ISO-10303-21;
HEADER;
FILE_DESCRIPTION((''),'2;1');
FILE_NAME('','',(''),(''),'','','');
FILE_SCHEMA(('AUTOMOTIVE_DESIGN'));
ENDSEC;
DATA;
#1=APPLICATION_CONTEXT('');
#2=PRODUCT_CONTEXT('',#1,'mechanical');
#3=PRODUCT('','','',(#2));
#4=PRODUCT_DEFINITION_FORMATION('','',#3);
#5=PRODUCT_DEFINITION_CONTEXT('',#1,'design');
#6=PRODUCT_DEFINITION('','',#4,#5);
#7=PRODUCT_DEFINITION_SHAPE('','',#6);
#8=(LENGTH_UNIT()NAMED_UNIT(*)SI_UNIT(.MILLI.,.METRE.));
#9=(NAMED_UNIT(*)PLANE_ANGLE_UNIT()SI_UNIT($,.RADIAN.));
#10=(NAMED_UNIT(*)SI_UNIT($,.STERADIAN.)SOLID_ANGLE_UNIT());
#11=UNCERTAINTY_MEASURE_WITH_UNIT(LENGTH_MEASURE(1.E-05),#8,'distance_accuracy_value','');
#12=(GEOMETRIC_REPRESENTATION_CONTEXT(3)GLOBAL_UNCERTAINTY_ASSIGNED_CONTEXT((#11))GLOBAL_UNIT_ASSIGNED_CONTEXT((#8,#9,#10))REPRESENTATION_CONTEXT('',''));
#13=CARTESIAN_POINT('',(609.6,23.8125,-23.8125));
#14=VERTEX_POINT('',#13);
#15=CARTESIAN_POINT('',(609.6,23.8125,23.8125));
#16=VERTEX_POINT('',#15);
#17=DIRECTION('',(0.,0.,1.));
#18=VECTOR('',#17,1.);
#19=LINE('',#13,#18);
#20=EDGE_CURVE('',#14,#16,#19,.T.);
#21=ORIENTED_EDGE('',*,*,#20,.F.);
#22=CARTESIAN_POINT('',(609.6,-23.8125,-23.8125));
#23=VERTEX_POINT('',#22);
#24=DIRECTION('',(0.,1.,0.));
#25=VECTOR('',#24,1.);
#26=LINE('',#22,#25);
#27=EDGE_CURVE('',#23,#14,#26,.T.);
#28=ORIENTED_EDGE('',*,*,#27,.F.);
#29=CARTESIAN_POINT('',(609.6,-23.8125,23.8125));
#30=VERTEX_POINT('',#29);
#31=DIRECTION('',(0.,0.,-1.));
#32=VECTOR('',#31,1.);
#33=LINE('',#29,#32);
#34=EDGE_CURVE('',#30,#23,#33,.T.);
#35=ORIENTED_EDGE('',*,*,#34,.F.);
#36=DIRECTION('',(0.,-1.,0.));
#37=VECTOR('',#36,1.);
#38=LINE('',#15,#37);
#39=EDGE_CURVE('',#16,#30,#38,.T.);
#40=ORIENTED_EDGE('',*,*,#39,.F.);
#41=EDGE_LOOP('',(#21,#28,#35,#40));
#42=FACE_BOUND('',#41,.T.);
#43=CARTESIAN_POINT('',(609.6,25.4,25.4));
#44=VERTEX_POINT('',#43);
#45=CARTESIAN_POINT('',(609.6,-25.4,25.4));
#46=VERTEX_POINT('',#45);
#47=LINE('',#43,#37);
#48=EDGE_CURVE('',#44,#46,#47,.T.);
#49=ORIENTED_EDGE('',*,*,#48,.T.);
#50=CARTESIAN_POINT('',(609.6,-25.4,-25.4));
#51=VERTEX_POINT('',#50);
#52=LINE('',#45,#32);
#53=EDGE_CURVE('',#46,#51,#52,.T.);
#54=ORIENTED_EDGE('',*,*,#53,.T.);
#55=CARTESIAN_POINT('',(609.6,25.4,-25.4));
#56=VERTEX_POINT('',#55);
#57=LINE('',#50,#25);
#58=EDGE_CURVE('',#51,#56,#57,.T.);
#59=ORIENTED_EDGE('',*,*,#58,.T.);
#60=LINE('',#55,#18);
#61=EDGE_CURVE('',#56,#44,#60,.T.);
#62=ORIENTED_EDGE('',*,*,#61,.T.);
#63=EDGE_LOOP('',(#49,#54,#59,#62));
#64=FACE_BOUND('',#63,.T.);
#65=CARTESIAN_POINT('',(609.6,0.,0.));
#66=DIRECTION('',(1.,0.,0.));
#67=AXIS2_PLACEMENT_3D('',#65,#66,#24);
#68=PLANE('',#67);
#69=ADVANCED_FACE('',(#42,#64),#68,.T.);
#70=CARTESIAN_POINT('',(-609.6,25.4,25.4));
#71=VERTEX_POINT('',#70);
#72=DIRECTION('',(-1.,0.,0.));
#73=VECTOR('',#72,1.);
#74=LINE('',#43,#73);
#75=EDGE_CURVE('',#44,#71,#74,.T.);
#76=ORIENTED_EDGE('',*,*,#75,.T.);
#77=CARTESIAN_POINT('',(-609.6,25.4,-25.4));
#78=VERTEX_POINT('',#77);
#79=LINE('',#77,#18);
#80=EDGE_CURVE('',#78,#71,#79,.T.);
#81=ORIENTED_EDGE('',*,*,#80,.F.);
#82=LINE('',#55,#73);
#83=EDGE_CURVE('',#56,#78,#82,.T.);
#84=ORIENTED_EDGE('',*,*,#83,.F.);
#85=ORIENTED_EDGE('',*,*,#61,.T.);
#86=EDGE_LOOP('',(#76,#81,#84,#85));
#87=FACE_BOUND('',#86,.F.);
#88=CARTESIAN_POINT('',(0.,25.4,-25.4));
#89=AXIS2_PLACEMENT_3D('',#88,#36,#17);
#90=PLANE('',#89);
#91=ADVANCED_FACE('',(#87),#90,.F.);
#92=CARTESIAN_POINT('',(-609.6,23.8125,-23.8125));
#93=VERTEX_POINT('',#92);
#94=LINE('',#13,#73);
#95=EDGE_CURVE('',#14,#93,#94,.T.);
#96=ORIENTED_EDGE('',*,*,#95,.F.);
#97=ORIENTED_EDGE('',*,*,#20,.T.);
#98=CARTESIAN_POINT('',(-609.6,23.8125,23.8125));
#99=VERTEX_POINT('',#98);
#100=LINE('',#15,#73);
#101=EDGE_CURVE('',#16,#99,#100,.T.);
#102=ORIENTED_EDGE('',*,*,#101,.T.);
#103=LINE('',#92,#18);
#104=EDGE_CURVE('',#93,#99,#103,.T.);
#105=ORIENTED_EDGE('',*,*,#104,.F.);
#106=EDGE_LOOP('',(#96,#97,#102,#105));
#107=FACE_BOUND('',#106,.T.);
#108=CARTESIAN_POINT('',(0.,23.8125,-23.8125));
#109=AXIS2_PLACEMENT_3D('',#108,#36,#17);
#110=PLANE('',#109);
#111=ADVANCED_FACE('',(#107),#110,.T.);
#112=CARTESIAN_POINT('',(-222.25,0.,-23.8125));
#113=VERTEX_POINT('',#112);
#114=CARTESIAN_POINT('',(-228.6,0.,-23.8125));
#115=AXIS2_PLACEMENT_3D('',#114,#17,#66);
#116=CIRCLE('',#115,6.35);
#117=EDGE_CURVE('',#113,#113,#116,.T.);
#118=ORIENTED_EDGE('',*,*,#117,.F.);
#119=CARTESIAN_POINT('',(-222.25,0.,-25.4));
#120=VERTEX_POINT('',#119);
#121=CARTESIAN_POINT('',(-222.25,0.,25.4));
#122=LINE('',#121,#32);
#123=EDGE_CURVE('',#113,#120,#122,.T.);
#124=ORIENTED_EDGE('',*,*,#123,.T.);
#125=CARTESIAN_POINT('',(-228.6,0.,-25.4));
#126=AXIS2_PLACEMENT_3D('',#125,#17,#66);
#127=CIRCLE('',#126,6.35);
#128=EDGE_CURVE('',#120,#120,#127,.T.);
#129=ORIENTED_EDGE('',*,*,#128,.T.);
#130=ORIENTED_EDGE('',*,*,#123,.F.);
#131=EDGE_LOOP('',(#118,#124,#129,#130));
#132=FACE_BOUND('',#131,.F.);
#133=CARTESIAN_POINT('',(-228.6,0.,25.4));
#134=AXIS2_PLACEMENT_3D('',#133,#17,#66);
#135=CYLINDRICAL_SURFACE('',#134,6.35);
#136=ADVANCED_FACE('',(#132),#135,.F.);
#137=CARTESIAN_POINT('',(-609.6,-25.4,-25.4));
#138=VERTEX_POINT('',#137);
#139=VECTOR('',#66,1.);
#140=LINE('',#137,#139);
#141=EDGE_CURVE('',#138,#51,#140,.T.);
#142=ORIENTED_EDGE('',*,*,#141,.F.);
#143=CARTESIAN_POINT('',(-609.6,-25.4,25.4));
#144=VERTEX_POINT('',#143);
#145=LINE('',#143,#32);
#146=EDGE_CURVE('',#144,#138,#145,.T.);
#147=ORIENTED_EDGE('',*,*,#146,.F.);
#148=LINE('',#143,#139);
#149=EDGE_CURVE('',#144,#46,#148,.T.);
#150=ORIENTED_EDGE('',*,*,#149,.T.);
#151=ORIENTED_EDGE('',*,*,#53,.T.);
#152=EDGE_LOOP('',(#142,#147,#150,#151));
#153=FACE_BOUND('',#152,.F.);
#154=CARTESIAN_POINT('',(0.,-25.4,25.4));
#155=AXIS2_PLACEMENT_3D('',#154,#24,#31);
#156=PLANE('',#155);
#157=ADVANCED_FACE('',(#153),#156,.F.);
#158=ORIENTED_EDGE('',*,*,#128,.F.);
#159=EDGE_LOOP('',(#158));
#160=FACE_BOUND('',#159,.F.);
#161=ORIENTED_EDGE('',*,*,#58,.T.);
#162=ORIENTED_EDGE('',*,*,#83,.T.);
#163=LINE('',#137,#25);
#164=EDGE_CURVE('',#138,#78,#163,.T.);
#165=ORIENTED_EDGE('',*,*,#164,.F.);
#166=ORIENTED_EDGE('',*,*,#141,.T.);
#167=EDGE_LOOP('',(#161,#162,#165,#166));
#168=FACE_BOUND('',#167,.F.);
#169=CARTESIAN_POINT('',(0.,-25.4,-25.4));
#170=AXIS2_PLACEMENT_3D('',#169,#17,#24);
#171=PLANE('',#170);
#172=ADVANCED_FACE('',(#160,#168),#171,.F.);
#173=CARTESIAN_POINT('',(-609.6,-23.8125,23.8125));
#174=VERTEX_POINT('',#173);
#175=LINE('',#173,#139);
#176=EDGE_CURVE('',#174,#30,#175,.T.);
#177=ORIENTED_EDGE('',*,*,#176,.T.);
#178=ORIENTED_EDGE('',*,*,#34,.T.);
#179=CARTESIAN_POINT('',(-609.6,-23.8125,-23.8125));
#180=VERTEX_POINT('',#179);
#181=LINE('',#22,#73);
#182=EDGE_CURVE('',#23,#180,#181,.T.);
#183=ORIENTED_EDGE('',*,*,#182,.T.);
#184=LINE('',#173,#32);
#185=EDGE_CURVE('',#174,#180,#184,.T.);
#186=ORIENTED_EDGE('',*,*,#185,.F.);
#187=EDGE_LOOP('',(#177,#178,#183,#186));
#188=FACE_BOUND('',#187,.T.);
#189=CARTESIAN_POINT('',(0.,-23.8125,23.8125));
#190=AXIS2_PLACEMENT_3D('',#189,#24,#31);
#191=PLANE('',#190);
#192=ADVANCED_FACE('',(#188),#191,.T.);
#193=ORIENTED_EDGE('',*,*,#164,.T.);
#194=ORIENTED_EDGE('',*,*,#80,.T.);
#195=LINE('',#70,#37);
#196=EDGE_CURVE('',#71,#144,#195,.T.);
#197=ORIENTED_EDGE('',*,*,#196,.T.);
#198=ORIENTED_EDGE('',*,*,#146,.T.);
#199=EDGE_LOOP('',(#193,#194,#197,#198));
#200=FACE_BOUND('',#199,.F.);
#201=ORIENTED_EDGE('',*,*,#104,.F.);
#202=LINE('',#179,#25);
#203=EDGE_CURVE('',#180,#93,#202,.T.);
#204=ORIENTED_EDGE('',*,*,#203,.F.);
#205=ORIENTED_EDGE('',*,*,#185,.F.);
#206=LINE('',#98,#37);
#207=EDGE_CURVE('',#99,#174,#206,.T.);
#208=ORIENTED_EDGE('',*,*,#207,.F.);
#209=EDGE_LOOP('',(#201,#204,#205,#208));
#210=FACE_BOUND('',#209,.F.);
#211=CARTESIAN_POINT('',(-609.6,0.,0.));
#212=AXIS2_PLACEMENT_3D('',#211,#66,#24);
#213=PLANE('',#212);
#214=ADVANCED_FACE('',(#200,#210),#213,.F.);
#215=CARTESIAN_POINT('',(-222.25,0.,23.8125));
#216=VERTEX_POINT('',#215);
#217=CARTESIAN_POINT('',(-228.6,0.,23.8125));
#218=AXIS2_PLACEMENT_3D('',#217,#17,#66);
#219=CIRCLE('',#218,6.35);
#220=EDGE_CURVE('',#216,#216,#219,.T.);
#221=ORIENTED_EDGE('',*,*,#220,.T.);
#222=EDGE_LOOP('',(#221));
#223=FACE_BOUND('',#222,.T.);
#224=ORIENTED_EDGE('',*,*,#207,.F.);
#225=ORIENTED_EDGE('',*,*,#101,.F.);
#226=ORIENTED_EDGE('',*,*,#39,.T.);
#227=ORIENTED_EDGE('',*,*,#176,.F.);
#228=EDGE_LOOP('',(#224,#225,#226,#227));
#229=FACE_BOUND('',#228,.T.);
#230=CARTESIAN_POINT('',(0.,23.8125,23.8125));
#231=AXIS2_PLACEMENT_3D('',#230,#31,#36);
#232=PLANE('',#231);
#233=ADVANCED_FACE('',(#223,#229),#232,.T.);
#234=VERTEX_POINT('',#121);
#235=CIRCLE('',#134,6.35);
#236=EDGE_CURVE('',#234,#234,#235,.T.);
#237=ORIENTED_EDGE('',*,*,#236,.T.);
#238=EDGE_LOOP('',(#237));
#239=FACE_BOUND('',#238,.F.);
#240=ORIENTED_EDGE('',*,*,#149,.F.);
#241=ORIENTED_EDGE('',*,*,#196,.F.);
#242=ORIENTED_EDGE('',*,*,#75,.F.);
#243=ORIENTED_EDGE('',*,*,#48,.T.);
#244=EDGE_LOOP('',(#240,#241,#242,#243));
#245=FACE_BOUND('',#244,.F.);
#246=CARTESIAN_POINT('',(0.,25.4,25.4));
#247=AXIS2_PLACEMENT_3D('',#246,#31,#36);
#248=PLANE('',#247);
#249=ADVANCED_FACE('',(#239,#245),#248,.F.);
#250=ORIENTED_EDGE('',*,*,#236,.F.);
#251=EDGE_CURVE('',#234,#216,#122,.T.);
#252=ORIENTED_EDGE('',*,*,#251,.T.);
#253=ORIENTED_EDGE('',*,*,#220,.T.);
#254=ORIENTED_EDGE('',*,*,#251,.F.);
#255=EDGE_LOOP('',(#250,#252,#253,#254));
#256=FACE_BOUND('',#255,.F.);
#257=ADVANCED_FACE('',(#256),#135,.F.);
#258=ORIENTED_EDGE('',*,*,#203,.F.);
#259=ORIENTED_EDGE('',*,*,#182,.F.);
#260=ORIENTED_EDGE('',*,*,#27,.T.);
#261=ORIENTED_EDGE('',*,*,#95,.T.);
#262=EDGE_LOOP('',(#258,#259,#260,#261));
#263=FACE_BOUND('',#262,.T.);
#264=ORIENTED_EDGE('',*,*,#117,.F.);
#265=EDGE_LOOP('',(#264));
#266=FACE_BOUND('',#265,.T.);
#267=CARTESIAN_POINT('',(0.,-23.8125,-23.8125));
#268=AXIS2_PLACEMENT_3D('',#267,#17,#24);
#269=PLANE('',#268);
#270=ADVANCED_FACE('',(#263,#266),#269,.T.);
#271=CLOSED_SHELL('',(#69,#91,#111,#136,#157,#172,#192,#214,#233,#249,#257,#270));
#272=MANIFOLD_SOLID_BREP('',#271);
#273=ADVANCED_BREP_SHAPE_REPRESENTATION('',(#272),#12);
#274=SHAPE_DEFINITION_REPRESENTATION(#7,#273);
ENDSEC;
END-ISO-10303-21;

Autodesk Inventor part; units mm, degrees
ref_plane "YZ Plane" through (0, 0, 0) normal (1, 0, 0) x (0, 1, 0)
ref_plane "XZ Plane" through (0, 0, 0) normal (0, 1, 0) x (-1, 0, 0)
ref_plane "XY Plane" through (0, 0, 0) normal (0, 0, 1) x (1, 0, 0)
sketch "Sketch1" plane through (0, 0, 0) normal (1, 0, 0) x (0, 1, 0)
  line L0 (-23.8125, 23.8125) -> (-23.8125, -23.8125)
  line L1 (-23.8125, -23.8125) -> (23.8125, -23.8125)
  line L2 (23.8125, -23.8125) -> (23.8125, 23.8125)
  line L3 (23.8125, 23.8125) -> (-23.8125, 23.8125)
  line L4 (-23.8125, 23.8125) -> (23.8125, -23.8125) construction
  line L5 (-23.8125, -23.8125) -> (23.8125, 23.8125) construction
  line L6 (-25.4, 25.4) -> (-25.4, -25.4)
  line L7 (-25.4, -25.4) -> (25.4, -25.4)
  line L8 (25.4, -25.4) -> (25.4, 25.4)
  line L9 (25.4, 25.4) -> (-25.4, 25.4)
  line L10 (-25.4, 25.4) -> (25.4, -25.4) construction
  line L11 (-25.4, -25.4) -> (25.4, 25.4) construction
  point P0 (0, 0)
  dimension "d0" = 50.8
  dimension "d1" = 1.5875
extrude "Extrusion1" add sketch "Sketch1" along normal mid plane 1219.2
sketch "Sketch2" plane through (-609.6, -25.4, 25.4) normal (0, 0, 1) x (1, 0, 0)
  circle A0 centre (381, 25.4) radius 6.35
  line L0 (0, 0) -> (0, 50.8) projected
  point P0 (609.6, 25.4)
  dimension "d4" = 12.7
  dimension "d5" = 381
extrude "Extrusion2" cut sketch "Sketch2" against normal through all
equation "\"d0\" = catapultArmWidth"
equation "\"d1\" = catapultArmWallThickness"
equation "\"d2\" = catapultArmLength"
equation "\"d4\" = catapultArmAxelHoleDaim"
equation "\"d5\" = catapultArmHoleDistanceFromEnd"
equation "\"d6\" = catapultArmLength"
equation "\"catapultArmWallThickness\" = 1.5875"
equation "\"catapultArmWidth\" = 50.8"
equation "\"catapultArmLength\" = 1219.2"
equation "\"catapultArmAxelHoleDaim\" = 12.7"
equation "\"catapultArmHoleDistanceFromEnd\" = 381"
properties part number "catapultArm"
